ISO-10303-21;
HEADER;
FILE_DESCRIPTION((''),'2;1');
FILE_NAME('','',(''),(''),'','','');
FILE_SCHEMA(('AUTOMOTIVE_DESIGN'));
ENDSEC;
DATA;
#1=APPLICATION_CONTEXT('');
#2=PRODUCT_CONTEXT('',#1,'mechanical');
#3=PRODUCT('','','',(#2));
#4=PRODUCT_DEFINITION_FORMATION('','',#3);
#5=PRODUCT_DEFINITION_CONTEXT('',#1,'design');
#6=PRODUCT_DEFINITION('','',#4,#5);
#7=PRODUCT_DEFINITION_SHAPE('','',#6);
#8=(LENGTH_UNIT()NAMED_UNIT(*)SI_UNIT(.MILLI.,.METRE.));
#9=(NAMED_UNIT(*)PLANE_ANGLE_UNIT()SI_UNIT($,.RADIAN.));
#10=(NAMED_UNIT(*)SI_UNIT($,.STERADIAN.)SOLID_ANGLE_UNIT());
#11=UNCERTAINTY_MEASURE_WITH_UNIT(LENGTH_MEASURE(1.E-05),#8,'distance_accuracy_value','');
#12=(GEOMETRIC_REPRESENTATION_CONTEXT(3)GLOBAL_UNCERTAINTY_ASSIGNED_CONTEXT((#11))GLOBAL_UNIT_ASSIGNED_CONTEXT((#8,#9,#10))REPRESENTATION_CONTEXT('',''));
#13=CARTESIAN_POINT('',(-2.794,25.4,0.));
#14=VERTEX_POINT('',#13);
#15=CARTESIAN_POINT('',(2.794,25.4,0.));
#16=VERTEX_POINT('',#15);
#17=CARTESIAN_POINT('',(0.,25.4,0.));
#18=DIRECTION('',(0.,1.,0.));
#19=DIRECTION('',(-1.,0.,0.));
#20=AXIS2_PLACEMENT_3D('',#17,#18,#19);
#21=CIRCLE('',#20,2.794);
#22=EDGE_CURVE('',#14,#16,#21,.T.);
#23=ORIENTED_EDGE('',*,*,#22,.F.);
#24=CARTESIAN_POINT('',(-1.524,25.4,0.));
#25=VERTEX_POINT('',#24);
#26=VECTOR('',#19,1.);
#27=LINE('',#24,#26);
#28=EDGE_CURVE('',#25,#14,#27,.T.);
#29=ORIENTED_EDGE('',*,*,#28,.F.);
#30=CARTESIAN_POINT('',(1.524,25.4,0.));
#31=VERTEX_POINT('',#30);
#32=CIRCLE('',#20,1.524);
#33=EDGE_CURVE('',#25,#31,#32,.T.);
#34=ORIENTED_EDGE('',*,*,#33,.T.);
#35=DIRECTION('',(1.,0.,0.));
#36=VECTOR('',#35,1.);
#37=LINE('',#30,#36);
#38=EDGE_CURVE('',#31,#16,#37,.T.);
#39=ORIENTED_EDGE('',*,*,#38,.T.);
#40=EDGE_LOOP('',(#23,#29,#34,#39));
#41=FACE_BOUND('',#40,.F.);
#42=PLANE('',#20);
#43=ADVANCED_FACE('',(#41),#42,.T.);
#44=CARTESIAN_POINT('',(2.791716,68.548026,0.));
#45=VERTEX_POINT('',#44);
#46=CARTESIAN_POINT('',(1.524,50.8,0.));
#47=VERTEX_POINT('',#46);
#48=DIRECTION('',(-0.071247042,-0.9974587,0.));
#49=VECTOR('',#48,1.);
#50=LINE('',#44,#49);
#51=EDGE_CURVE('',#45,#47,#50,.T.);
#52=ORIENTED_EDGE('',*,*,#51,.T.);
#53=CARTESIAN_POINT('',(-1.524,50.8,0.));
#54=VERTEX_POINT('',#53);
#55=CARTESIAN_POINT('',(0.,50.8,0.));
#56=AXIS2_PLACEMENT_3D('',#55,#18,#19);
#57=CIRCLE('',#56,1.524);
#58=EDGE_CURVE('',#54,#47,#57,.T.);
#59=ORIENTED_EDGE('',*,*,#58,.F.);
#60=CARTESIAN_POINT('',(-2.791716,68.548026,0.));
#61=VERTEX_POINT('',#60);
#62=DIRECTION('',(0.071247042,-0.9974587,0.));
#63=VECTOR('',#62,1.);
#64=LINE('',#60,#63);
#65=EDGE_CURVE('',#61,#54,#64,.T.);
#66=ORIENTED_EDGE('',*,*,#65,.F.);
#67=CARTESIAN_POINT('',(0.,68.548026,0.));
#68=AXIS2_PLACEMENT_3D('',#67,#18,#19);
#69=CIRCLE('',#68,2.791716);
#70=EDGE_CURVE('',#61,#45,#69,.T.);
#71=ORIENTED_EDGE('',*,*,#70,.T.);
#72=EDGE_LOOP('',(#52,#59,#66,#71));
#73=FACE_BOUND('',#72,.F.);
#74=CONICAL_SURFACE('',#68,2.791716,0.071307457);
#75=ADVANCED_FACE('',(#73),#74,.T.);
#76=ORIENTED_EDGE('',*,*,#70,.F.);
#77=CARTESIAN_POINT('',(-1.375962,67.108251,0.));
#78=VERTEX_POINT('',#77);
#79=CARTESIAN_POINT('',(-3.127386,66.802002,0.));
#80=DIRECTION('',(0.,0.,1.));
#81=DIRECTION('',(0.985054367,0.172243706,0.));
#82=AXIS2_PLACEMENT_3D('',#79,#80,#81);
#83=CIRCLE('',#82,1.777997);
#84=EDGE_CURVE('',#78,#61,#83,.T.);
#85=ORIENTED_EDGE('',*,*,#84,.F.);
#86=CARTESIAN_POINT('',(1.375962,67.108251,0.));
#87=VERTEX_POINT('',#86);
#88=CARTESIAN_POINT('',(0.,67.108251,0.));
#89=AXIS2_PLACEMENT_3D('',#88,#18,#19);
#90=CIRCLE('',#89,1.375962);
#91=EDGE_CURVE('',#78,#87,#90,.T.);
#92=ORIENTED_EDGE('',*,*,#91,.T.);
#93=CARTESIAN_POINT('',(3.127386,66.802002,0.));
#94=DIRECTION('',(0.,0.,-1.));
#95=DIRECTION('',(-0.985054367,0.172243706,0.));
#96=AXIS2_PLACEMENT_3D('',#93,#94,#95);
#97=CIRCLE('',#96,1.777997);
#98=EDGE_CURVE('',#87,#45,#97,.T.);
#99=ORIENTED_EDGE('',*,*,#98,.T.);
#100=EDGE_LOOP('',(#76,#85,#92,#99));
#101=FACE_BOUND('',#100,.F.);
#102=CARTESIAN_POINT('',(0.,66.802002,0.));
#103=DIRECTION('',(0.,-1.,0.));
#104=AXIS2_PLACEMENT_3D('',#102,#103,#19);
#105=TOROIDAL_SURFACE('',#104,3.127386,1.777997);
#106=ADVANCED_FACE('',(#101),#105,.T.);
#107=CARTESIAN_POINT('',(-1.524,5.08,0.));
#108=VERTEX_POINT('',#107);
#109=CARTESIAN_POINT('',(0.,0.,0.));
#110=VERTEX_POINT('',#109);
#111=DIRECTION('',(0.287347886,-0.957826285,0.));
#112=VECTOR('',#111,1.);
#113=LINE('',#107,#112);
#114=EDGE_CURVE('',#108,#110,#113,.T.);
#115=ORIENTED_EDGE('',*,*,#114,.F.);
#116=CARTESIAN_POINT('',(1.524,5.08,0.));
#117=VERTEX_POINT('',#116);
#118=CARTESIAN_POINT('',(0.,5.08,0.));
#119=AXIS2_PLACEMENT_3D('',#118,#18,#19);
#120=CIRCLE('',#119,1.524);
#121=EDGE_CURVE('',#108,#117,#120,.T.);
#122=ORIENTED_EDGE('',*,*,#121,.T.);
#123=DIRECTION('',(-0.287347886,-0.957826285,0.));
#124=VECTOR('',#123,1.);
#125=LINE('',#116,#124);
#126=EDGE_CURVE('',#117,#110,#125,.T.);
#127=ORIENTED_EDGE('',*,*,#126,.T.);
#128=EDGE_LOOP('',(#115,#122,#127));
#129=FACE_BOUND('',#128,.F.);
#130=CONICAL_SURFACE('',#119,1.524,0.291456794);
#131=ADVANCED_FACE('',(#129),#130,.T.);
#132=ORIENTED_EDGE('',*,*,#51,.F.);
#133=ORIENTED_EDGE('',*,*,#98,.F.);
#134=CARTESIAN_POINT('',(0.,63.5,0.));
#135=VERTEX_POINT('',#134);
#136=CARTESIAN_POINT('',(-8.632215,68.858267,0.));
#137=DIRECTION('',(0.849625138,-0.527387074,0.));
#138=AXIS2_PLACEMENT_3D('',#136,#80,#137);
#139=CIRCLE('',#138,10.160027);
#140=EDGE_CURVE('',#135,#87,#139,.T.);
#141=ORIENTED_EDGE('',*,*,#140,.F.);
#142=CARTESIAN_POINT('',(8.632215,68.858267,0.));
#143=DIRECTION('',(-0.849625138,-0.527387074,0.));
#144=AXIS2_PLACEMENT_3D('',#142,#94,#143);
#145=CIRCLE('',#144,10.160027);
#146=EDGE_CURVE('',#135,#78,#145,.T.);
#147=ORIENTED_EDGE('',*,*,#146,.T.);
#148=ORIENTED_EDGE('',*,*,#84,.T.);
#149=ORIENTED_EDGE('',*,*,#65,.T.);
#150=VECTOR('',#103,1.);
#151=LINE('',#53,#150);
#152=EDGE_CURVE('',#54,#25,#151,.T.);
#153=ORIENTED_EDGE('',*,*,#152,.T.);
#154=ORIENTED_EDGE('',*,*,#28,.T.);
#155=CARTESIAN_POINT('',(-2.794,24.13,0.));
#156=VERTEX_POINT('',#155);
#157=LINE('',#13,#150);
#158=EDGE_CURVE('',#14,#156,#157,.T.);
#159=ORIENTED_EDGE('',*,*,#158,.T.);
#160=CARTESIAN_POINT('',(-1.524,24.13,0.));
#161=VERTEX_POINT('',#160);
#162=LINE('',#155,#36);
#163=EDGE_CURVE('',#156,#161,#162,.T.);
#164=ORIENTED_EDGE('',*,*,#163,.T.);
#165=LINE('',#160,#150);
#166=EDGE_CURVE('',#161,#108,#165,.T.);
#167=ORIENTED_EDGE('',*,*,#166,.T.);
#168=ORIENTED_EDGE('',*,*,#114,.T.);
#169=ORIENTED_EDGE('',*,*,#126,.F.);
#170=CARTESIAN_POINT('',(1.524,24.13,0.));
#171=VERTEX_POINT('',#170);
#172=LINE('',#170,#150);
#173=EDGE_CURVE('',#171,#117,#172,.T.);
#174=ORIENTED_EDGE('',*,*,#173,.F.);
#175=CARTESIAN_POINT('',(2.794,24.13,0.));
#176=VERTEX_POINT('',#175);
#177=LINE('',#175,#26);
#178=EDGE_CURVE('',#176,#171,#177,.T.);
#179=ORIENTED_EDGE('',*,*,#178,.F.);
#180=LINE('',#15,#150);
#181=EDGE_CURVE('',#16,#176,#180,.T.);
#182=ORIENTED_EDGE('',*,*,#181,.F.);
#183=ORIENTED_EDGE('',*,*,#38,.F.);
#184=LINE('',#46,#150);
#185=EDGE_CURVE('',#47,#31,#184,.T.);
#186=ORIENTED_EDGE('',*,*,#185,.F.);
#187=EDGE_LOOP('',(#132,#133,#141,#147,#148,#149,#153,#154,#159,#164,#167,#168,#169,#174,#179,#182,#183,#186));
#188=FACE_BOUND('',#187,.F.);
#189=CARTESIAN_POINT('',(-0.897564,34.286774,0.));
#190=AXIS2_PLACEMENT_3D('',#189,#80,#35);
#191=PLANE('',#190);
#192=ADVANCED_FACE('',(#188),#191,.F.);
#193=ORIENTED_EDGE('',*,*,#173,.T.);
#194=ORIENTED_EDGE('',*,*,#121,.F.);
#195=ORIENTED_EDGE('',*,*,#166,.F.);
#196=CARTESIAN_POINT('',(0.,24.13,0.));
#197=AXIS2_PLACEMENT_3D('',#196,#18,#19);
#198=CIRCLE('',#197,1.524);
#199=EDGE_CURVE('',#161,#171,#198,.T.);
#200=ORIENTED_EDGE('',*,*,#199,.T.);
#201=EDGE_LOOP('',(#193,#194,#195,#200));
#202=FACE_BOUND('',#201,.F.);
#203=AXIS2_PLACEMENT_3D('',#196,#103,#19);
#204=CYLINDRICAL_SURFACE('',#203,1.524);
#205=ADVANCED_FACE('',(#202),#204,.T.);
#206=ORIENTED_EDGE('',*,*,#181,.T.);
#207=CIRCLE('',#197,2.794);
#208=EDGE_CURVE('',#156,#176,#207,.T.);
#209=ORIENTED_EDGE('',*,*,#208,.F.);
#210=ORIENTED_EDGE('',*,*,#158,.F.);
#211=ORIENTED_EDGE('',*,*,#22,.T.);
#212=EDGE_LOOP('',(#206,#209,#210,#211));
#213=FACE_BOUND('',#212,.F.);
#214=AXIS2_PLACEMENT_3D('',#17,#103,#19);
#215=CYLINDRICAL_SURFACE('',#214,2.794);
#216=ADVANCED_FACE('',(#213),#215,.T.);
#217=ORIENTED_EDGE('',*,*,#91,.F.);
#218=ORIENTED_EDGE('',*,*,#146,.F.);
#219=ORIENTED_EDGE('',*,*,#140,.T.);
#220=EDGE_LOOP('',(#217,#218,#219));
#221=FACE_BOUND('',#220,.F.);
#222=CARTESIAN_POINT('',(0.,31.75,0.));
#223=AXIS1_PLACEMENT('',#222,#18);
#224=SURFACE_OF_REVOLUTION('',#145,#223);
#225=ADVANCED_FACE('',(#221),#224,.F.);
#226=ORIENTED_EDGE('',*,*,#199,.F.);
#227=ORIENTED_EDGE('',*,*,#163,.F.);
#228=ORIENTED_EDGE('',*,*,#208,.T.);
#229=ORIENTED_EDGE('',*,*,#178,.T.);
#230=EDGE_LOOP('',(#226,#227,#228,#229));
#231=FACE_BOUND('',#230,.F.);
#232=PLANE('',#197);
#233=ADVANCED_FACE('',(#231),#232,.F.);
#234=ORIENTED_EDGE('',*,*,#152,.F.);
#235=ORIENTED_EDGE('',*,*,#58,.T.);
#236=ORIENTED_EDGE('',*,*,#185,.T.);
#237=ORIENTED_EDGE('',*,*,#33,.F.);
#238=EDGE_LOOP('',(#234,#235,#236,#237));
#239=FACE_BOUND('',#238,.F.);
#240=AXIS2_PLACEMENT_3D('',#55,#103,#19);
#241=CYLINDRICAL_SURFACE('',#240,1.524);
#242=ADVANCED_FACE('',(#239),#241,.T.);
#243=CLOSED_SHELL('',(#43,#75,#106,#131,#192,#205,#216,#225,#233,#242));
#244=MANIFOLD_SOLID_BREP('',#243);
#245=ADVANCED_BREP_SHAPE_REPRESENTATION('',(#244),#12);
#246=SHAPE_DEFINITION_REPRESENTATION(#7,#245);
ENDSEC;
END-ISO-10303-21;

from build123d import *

# Parameters (mm, degrees)
F1_ANGLE = 180


with BuildPart() as f1:
    # F0 (on Top) → F1 (revolve)
    with BuildSketch(Plane.XY):
        with BuildLine():
            Line((-1.524, 5.08), (0, 0))
            Line((0, 0), (0, 63.5))
            ThreePointArc((0, 63.5), (-0.860989, 65.238151), (-1.375962, 67.108251))
            ThreePointArc((-1.375962, 67.108251), (-1.859621, 68.048616), (-2.791716, 68.548026))
            Line((-2.791716, 68.548026), (-1.524, 50.8))
            Line((-1.524, 50.8), (-1.524, 25.4))
            Line((-1.524, 25.4), (-2.794, 25.4))
            Line((-2.794, 25.4), (-2.794, 24.13))
            Line((-2.794, 24.13), (-1.524, 24.13))
            Line((-1.524, 24.13), (-1.524, 5.08))
        make_face()
    revolve(axis=Axis((0, 31.75, 0), (0, 1, 0)), revolution_arc=F1_ANGLE)


solid = f1.part
